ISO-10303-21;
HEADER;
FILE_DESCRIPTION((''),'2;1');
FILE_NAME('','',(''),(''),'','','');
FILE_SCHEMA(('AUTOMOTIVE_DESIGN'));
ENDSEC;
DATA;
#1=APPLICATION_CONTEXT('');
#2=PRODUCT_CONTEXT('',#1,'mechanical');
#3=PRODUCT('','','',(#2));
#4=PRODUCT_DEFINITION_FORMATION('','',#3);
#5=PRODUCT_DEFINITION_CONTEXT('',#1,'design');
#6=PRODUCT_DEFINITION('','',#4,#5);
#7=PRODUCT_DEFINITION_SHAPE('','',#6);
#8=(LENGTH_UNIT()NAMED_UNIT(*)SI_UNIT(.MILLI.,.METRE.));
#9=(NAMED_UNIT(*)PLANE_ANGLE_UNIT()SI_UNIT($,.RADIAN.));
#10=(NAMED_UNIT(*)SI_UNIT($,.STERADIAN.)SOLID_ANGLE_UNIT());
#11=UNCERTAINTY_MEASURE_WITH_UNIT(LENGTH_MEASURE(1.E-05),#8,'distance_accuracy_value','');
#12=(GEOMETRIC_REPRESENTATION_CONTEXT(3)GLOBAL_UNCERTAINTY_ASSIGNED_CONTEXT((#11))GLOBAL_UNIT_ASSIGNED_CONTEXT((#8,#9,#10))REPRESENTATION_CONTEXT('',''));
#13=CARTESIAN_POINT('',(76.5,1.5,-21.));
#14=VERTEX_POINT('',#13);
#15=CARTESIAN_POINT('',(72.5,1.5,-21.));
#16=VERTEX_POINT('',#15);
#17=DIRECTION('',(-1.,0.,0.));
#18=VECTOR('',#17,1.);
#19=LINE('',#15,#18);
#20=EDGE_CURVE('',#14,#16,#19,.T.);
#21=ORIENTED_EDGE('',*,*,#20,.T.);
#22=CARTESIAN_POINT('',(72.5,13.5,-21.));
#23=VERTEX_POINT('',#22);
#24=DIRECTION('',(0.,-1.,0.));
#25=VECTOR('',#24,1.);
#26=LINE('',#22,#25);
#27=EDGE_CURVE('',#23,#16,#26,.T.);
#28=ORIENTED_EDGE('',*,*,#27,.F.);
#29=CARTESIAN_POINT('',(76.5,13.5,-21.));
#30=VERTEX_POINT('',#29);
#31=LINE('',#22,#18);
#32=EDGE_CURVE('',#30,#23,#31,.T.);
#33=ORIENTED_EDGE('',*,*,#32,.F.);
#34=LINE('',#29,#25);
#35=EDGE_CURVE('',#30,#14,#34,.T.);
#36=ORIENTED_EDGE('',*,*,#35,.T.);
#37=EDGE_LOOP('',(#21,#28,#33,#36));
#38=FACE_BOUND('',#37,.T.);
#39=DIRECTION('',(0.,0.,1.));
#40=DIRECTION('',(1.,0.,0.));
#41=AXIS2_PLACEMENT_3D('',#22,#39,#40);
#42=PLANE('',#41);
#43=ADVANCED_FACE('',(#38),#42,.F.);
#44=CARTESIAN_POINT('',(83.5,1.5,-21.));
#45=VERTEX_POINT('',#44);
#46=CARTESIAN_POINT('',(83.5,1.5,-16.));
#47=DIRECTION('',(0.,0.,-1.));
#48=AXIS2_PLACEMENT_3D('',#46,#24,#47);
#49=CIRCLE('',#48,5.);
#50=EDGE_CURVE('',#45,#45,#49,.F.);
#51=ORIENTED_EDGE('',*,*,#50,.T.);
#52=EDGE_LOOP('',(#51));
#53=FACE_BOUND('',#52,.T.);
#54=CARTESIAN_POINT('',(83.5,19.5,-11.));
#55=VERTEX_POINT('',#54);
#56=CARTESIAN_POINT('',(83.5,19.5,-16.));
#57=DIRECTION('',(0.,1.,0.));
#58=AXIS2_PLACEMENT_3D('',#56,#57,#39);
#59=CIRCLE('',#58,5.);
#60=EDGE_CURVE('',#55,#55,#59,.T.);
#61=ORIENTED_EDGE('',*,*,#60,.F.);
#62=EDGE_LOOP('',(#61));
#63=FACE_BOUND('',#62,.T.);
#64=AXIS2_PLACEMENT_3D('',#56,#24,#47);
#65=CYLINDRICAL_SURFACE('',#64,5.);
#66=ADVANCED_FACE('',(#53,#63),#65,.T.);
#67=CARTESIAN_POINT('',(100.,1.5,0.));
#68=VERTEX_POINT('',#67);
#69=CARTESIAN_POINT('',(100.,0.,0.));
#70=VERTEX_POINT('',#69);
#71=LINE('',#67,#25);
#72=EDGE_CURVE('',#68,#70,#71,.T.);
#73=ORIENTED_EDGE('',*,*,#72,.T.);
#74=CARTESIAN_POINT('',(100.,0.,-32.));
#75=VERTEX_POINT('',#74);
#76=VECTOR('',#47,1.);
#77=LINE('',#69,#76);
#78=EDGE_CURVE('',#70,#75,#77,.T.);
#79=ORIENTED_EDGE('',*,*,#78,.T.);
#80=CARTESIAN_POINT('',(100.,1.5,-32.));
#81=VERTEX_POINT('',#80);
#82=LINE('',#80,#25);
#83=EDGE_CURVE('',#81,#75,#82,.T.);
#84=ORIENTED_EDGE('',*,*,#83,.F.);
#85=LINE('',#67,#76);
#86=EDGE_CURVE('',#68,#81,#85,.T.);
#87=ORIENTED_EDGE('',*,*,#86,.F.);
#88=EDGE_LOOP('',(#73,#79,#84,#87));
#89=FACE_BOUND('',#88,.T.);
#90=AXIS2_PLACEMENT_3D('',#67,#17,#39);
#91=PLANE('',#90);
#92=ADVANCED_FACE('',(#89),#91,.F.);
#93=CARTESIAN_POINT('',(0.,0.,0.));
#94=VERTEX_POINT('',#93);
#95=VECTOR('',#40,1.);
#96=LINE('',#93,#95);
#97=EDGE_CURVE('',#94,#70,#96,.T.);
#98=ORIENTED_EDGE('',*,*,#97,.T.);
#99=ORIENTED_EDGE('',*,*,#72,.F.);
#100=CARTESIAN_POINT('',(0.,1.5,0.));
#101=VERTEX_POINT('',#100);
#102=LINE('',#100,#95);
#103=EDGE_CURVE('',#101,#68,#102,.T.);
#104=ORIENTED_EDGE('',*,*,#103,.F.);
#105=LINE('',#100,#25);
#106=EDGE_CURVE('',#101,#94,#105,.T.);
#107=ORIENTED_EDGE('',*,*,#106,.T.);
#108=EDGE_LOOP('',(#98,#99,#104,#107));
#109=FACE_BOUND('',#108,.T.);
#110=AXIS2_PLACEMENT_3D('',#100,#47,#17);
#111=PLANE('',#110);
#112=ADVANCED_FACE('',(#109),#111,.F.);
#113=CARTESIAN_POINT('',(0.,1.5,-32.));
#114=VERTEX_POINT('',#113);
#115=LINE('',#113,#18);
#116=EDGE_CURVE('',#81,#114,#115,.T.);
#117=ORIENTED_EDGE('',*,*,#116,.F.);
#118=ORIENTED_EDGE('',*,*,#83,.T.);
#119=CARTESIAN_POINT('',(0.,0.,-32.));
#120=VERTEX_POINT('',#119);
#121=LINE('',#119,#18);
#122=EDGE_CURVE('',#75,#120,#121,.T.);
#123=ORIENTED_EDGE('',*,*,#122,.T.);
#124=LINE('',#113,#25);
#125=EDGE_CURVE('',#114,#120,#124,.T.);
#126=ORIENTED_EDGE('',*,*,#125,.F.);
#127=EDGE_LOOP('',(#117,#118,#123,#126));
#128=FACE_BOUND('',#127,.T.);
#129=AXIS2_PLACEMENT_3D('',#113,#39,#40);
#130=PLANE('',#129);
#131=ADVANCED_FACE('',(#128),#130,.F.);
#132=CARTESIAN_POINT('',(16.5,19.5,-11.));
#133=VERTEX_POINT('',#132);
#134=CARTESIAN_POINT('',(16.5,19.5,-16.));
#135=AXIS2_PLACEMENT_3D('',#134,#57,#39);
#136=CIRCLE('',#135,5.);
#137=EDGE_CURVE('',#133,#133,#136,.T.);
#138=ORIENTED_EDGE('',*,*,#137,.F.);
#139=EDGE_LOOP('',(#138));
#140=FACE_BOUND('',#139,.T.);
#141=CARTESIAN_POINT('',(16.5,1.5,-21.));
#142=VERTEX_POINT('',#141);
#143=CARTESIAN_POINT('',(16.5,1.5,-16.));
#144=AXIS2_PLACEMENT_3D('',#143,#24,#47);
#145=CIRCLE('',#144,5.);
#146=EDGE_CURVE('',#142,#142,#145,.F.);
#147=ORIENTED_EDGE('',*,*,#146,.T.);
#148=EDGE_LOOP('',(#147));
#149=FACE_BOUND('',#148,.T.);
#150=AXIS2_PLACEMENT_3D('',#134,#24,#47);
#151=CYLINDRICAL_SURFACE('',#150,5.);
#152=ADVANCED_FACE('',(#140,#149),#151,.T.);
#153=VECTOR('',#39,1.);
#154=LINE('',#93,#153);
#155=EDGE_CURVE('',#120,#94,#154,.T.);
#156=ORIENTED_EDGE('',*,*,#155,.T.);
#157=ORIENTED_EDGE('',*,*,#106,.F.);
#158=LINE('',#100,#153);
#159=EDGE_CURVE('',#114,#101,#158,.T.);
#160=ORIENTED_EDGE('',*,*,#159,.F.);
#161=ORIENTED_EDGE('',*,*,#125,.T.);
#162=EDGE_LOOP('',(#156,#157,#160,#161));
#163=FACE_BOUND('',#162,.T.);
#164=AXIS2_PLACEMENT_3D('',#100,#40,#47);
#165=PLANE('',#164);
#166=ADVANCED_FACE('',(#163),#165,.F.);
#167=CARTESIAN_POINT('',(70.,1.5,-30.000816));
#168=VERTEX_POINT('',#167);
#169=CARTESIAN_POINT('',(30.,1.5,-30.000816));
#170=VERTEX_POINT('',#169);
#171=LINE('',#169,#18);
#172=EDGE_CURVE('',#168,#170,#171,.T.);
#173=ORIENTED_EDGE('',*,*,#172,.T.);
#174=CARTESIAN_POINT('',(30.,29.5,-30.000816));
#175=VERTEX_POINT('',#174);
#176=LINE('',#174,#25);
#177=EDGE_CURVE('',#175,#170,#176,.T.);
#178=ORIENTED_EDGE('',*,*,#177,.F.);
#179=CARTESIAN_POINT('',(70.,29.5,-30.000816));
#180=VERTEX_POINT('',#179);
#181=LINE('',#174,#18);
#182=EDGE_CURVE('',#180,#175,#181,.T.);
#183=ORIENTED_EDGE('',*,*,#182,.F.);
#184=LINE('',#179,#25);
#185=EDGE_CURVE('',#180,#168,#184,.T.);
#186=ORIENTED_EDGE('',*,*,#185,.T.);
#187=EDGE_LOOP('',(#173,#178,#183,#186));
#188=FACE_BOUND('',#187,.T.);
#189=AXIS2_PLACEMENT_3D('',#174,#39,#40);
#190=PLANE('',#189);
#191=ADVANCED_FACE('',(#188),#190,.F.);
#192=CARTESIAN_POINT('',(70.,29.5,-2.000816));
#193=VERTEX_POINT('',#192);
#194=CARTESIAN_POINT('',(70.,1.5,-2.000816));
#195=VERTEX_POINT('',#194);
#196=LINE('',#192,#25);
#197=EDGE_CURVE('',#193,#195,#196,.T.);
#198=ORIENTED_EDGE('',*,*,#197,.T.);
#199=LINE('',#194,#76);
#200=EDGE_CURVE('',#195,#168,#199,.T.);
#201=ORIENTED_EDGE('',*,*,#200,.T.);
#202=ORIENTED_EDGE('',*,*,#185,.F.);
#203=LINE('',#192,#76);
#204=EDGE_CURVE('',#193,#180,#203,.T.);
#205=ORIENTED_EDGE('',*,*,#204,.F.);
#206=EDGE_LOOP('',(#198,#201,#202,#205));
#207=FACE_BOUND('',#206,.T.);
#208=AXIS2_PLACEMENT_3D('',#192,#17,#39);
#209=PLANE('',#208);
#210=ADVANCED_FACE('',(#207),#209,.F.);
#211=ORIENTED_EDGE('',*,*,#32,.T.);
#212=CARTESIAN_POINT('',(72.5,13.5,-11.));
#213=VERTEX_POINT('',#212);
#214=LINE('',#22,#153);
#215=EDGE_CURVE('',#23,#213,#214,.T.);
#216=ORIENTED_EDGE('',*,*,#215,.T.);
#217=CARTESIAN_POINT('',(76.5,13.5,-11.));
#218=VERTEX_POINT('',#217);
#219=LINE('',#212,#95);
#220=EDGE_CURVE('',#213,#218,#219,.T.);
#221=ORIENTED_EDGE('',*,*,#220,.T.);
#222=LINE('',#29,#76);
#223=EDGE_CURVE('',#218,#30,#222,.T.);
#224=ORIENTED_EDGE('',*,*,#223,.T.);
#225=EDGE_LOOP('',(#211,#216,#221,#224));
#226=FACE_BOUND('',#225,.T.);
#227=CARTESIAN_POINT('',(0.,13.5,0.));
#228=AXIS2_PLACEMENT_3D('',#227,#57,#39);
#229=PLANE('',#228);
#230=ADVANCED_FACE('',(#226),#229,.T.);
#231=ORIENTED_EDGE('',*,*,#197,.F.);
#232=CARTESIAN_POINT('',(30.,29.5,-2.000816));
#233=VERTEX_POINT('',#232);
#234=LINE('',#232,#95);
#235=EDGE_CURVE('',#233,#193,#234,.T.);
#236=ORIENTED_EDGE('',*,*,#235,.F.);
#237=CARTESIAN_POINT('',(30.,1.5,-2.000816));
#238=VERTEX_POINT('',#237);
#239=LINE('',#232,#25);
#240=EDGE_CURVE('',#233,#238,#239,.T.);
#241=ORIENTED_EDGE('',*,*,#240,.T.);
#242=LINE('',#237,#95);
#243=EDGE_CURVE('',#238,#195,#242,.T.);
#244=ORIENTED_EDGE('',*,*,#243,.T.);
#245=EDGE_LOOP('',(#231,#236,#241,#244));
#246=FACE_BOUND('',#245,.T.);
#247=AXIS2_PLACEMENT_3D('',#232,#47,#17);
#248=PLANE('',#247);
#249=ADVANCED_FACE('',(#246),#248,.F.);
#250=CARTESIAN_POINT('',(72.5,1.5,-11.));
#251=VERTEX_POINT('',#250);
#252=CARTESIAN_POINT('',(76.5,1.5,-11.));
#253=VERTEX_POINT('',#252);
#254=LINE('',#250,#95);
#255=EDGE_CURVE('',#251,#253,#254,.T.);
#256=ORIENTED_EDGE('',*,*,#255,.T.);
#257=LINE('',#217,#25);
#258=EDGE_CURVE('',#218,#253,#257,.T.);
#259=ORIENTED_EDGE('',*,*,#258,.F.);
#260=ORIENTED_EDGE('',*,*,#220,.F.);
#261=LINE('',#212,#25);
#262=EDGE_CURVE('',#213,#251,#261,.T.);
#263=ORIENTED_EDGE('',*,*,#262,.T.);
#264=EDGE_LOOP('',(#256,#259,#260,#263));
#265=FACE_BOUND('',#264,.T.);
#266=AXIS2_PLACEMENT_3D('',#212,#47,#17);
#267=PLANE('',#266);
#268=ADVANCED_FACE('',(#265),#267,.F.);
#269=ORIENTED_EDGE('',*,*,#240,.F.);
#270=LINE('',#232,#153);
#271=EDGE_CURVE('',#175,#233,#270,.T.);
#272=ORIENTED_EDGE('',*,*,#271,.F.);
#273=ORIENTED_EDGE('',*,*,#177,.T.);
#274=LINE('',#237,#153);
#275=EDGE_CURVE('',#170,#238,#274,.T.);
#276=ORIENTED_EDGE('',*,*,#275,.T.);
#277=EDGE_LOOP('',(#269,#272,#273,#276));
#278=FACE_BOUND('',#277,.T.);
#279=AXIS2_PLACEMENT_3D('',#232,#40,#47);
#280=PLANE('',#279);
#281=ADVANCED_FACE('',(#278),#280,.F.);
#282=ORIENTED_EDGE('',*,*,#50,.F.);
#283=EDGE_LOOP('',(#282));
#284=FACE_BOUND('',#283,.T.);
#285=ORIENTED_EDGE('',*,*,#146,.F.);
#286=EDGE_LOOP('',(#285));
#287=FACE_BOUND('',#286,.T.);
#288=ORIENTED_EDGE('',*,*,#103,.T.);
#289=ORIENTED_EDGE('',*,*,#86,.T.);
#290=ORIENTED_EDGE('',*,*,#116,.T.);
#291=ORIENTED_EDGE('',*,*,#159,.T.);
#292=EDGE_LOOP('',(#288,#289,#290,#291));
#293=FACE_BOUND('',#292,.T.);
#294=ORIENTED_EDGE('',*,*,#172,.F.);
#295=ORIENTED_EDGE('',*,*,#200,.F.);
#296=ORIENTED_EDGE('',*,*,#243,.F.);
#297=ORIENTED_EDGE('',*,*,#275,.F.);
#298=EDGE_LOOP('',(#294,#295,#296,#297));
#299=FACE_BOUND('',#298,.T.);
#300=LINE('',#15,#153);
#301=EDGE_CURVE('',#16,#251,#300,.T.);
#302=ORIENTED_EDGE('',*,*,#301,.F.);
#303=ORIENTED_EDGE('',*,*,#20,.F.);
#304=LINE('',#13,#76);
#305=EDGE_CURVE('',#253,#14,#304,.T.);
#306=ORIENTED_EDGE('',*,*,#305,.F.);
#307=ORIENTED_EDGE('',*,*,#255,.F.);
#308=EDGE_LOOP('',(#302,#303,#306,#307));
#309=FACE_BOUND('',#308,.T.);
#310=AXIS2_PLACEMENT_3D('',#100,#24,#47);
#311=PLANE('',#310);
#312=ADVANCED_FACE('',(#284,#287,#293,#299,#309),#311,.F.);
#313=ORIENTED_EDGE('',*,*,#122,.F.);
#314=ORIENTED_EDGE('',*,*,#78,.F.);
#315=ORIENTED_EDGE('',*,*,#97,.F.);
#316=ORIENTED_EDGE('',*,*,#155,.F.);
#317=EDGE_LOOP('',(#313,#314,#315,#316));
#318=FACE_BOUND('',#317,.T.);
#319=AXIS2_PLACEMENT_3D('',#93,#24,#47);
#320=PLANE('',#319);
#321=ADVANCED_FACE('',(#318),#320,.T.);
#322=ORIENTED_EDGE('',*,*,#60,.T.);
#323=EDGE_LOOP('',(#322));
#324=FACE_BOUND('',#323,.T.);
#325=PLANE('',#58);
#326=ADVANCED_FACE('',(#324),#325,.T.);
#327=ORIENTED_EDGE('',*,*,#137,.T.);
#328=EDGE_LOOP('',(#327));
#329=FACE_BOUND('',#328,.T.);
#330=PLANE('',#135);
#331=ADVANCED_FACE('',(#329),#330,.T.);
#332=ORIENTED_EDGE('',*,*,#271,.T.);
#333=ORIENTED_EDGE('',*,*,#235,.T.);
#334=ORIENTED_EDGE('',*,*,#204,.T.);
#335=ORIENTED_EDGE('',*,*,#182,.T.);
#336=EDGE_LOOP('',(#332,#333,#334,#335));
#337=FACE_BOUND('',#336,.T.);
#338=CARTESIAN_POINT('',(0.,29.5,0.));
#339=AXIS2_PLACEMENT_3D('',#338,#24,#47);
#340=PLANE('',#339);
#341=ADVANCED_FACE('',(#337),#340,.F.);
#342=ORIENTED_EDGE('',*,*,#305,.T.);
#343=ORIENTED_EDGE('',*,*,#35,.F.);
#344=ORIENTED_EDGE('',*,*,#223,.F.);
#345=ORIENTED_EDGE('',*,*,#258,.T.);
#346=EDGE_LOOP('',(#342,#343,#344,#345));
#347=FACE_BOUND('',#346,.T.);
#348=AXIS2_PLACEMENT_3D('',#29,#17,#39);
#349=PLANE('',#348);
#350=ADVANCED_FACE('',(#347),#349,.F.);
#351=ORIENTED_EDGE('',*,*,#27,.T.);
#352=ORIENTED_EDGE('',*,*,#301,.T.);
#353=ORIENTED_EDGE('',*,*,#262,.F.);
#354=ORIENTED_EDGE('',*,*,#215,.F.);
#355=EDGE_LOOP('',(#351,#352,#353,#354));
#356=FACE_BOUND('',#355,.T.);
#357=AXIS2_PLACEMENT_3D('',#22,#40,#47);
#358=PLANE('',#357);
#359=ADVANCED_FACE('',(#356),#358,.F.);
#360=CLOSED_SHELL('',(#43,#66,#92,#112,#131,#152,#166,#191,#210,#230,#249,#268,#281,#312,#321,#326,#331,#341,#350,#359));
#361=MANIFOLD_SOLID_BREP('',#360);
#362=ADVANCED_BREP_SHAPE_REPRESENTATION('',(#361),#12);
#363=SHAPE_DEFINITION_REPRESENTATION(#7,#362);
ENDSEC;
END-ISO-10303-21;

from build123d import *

# Parameters (mm, degrees)
SKETCH_1_W      = 100
SKETCH_1_H      = 32
EXTRUDE_1_DEPTH = 1.5
SKETCH_2_W      = 40
SKETCH_2_H      = 28
EXTRUDE_2_DEPTH = 28
SKETCH_3_R      = 5
EXTRUDE_3_DEPTH = 18
SKETCH_4_W      = 4
SKETCH_4_H      = 10
EXTRUDE_4_DEPTH = 12


with BuildPart() as part:
    # 草图1 → 凸台-拉伸1 (new body)
    with BuildSketch(Plane(origin=(0, 0, 0), x_dir=(1, 0, 0), z_dir=(0, 1, 0))):
        with Locations((50, 16)):
            Rectangle(SKETCH_1_W, SKETCH_1_H)
    extrude(amount=EXTRUDE_1_DEPTH)

    # 草图2 → 凸台-拉伸2 (add)
    with BuildSketch(Plane(origin=(0, 1.5, 0), x_dir=(1, 0, 0), z_dir=(0, 1, 0))):
        with Locations((50, 16.000816198)):
            Rectangle(SKETCH_2_W, SKETCH_2_H)
    extrude(amount=EXTRUDE_2_DEPTH)

    # 草图3 → 凸台-拉伸3 (add)
    with BuildSketch(Plane(origin=(0, 1.5, 0), x_dir=(1, 0, 0), z_dir=(0, 1, 0))):
        with Locations(Location((16.5, 16, 0), (0, 0, 90))):
            Circle(SKETCH_3_R)
        with Locations(Location((83.5, 16, 0), (0, 0, 90))):
            Circle(SKETCH_3_R)
    extrude(amount=EXTRUDE_3_DEPTH)

    # 草图4 → 凸台-拉伸4 (add)
    with BuildSketch(Plane(origin=(0, 1.5, 0), x_dir=(1, 0, 0), z_dir=(0, 1, 0))):
        with Locations((74.5, 16)):
            Rectangle(SKETCH_4_W, SKETCH_4_H)
    extrude(amount=EXTRUDE_4_DEPTH)


solid = part.part
